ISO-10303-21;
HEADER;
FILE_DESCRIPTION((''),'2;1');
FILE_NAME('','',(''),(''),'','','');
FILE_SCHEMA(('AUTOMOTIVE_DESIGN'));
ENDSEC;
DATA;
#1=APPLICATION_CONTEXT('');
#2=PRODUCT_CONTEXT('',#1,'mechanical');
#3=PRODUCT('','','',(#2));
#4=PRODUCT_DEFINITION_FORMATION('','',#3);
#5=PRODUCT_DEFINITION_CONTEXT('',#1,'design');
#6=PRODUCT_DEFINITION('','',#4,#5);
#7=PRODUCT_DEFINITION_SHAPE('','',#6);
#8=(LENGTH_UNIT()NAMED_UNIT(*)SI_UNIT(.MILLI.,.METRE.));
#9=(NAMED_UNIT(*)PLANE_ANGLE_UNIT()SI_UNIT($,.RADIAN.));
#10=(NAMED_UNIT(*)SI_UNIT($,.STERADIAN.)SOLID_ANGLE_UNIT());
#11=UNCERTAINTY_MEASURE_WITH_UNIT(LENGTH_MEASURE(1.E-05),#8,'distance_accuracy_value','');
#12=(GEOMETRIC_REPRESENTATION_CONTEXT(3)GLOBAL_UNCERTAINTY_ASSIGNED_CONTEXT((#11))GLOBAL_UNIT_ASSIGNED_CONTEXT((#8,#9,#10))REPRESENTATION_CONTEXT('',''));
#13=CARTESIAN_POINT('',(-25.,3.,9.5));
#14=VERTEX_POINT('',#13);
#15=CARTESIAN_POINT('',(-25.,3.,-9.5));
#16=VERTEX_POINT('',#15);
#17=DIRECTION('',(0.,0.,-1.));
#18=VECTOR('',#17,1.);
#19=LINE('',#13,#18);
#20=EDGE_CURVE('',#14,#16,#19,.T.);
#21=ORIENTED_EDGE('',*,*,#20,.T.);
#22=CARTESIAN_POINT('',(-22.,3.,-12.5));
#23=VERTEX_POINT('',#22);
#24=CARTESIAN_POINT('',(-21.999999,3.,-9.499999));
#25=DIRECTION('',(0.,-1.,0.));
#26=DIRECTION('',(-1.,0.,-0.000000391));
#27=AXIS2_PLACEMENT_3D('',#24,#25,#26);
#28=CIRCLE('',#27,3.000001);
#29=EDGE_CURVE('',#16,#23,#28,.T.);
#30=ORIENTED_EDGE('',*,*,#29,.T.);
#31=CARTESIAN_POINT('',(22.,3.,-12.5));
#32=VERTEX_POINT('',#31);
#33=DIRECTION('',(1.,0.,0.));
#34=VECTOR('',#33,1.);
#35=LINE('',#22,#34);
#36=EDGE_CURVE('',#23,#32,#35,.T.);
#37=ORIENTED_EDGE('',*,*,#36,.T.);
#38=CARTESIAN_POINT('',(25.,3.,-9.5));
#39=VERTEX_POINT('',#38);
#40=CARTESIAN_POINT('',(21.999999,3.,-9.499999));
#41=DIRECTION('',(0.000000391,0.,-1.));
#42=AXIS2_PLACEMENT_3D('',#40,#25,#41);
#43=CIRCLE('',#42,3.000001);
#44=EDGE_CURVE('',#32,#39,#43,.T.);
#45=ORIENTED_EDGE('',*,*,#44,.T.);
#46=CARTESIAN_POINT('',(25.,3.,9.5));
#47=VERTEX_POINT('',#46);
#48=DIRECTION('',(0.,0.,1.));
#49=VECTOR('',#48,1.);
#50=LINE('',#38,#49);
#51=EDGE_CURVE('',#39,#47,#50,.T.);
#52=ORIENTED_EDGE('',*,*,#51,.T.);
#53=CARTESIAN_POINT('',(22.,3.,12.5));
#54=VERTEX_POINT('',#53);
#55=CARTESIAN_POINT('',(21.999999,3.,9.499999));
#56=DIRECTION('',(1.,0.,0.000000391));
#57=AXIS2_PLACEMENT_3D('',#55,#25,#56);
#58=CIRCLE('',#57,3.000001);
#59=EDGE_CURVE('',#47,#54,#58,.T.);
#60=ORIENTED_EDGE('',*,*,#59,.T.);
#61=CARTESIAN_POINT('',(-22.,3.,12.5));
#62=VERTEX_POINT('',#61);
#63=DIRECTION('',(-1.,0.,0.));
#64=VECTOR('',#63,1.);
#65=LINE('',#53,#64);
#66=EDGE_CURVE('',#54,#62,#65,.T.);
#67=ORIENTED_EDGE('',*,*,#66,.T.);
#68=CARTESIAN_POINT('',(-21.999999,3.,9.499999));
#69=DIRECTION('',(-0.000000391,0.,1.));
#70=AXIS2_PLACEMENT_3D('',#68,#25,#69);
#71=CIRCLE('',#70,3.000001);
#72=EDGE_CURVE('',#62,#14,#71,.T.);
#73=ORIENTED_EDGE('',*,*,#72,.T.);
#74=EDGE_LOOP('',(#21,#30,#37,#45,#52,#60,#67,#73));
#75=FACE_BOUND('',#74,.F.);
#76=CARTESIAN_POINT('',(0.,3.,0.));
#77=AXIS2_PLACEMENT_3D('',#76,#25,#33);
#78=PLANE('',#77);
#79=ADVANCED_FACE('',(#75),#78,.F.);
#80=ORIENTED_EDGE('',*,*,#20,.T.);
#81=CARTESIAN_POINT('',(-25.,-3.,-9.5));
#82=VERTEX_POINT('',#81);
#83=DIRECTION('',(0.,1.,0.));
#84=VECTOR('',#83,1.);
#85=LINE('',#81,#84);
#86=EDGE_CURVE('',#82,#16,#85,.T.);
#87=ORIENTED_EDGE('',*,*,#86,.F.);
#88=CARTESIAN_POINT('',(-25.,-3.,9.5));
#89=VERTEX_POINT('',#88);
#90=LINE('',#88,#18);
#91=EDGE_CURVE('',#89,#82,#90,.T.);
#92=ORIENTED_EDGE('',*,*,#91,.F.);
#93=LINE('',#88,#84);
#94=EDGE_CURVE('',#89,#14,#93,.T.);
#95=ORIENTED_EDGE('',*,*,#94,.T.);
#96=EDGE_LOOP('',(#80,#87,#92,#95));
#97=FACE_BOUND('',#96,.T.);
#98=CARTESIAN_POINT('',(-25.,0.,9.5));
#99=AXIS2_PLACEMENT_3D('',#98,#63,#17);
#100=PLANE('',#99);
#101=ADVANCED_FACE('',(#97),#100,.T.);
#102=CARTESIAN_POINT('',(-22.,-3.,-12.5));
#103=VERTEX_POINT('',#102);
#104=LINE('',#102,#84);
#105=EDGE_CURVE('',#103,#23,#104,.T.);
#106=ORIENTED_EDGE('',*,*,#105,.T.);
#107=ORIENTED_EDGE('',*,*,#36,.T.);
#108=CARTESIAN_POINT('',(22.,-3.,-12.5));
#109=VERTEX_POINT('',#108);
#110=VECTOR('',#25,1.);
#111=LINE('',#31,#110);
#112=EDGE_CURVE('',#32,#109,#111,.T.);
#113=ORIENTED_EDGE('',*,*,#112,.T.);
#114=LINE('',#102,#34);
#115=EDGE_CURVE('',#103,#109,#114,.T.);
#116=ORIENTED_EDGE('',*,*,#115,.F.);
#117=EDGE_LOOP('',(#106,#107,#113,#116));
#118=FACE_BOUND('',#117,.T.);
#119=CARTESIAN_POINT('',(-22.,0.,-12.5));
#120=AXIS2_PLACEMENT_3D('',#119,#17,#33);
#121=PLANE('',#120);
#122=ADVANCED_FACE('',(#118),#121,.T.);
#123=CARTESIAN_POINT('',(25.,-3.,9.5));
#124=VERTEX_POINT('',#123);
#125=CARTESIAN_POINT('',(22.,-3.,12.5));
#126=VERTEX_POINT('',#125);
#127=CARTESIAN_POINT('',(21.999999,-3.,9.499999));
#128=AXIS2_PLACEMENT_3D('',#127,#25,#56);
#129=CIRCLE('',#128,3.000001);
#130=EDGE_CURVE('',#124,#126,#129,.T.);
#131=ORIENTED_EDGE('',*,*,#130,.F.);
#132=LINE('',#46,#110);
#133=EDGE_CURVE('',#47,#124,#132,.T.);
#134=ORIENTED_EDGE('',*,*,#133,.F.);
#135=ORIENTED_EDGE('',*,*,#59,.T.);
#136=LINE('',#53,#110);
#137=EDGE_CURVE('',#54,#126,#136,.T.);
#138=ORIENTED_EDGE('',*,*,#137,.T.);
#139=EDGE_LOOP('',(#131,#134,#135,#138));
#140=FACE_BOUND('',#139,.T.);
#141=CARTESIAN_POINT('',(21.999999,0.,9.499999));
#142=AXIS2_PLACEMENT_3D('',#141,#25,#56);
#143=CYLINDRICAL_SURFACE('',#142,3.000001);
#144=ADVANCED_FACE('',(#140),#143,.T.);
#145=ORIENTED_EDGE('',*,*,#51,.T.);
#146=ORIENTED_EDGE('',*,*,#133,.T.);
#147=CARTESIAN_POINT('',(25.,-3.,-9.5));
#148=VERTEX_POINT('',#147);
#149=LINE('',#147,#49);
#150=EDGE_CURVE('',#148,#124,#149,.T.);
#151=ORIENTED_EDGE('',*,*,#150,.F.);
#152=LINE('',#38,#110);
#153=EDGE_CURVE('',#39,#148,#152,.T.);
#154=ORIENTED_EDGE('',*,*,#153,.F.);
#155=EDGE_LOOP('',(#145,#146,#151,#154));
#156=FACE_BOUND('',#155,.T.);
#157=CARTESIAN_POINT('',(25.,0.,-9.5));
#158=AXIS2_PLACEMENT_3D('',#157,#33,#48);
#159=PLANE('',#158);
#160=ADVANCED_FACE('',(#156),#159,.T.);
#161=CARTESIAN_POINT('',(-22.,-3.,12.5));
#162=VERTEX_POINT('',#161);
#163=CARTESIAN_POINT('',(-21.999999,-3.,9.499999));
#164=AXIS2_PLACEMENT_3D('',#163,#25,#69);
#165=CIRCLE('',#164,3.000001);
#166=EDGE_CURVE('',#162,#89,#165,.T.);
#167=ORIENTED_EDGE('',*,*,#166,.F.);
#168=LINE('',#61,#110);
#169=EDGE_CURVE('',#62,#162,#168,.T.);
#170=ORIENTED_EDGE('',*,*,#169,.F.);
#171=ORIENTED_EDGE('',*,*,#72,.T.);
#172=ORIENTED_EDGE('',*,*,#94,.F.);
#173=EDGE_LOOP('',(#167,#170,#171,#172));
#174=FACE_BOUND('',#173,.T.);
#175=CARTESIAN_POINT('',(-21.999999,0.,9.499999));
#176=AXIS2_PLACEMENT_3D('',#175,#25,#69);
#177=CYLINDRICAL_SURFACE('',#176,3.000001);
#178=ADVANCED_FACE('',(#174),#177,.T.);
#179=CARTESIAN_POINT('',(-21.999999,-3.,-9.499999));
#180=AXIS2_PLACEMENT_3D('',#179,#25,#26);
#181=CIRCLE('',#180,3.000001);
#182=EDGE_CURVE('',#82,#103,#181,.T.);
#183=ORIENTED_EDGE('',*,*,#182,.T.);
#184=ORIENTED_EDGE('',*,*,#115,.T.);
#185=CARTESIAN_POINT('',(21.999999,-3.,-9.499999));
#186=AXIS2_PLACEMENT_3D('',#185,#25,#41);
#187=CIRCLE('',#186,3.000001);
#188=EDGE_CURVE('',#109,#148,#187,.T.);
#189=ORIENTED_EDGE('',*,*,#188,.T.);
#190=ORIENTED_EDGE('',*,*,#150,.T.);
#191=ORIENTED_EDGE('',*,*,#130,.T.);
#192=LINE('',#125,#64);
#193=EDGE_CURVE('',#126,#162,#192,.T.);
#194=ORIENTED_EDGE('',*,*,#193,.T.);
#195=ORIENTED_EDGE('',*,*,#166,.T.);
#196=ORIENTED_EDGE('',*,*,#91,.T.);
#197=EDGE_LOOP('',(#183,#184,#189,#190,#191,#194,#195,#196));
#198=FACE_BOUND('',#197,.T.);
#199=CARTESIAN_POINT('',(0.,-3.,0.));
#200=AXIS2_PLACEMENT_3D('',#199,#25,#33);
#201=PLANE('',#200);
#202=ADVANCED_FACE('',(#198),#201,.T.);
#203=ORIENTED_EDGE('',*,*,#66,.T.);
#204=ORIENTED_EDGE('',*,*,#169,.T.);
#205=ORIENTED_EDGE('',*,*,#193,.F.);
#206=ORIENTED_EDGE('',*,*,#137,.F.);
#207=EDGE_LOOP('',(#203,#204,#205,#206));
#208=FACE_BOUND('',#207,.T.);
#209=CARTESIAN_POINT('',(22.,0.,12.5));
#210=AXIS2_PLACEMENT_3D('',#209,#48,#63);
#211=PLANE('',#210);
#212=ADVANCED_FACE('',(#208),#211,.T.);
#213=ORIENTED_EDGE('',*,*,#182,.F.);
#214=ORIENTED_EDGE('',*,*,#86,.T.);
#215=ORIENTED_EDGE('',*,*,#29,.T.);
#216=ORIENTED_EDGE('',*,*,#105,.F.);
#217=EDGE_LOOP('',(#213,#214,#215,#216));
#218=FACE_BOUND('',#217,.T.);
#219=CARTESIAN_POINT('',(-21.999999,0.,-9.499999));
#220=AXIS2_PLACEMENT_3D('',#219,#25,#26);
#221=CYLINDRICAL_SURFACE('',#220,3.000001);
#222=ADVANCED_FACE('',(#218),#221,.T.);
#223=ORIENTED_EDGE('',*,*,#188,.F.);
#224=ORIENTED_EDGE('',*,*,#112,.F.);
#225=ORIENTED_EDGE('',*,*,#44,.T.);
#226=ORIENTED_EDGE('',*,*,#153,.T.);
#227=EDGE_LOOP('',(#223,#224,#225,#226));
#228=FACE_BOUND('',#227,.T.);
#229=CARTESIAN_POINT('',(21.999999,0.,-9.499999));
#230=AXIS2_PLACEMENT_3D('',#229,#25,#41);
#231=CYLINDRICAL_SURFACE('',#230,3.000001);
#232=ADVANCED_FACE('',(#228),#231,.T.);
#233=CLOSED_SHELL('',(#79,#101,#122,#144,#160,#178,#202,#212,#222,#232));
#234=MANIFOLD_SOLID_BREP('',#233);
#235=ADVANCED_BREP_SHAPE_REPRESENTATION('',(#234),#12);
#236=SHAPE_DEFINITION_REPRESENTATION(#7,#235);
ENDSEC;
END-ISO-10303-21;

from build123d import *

# Parameters (mm, degrees)
F1_DEPTH = 3


with BuildPart() as f1:
    # F0 (on Front) → F1 (new body, symmetric)
    with BuildSketch(Plane.XZ):
        with BuildLine():
            Line((-22, -12.5), (22, -12.5))
            ThreePointArc((22, -12.5), (24.12132, -11.62132), (25, -9.5))
            Line((25, -9.5), (25, 9.5))
            ThreePointArc((25, 9.5), (24.12132, 11.62132), (22, 12.5))
            Line((22, 12.5), (-22, 12.5))
            ThreePointArc((-22, 12.5), (-24.12132, 11.62132), (-25, 9.5))
            Line((-25, 9.5), (-25, -9.5))
            ThreePointArc((-25, -9.5), (-24.12132, -11.62132), (-22, -12.5))
        make_face()
    extrude(amount=F1_DEPTH, both=True)


solid = f1.part
